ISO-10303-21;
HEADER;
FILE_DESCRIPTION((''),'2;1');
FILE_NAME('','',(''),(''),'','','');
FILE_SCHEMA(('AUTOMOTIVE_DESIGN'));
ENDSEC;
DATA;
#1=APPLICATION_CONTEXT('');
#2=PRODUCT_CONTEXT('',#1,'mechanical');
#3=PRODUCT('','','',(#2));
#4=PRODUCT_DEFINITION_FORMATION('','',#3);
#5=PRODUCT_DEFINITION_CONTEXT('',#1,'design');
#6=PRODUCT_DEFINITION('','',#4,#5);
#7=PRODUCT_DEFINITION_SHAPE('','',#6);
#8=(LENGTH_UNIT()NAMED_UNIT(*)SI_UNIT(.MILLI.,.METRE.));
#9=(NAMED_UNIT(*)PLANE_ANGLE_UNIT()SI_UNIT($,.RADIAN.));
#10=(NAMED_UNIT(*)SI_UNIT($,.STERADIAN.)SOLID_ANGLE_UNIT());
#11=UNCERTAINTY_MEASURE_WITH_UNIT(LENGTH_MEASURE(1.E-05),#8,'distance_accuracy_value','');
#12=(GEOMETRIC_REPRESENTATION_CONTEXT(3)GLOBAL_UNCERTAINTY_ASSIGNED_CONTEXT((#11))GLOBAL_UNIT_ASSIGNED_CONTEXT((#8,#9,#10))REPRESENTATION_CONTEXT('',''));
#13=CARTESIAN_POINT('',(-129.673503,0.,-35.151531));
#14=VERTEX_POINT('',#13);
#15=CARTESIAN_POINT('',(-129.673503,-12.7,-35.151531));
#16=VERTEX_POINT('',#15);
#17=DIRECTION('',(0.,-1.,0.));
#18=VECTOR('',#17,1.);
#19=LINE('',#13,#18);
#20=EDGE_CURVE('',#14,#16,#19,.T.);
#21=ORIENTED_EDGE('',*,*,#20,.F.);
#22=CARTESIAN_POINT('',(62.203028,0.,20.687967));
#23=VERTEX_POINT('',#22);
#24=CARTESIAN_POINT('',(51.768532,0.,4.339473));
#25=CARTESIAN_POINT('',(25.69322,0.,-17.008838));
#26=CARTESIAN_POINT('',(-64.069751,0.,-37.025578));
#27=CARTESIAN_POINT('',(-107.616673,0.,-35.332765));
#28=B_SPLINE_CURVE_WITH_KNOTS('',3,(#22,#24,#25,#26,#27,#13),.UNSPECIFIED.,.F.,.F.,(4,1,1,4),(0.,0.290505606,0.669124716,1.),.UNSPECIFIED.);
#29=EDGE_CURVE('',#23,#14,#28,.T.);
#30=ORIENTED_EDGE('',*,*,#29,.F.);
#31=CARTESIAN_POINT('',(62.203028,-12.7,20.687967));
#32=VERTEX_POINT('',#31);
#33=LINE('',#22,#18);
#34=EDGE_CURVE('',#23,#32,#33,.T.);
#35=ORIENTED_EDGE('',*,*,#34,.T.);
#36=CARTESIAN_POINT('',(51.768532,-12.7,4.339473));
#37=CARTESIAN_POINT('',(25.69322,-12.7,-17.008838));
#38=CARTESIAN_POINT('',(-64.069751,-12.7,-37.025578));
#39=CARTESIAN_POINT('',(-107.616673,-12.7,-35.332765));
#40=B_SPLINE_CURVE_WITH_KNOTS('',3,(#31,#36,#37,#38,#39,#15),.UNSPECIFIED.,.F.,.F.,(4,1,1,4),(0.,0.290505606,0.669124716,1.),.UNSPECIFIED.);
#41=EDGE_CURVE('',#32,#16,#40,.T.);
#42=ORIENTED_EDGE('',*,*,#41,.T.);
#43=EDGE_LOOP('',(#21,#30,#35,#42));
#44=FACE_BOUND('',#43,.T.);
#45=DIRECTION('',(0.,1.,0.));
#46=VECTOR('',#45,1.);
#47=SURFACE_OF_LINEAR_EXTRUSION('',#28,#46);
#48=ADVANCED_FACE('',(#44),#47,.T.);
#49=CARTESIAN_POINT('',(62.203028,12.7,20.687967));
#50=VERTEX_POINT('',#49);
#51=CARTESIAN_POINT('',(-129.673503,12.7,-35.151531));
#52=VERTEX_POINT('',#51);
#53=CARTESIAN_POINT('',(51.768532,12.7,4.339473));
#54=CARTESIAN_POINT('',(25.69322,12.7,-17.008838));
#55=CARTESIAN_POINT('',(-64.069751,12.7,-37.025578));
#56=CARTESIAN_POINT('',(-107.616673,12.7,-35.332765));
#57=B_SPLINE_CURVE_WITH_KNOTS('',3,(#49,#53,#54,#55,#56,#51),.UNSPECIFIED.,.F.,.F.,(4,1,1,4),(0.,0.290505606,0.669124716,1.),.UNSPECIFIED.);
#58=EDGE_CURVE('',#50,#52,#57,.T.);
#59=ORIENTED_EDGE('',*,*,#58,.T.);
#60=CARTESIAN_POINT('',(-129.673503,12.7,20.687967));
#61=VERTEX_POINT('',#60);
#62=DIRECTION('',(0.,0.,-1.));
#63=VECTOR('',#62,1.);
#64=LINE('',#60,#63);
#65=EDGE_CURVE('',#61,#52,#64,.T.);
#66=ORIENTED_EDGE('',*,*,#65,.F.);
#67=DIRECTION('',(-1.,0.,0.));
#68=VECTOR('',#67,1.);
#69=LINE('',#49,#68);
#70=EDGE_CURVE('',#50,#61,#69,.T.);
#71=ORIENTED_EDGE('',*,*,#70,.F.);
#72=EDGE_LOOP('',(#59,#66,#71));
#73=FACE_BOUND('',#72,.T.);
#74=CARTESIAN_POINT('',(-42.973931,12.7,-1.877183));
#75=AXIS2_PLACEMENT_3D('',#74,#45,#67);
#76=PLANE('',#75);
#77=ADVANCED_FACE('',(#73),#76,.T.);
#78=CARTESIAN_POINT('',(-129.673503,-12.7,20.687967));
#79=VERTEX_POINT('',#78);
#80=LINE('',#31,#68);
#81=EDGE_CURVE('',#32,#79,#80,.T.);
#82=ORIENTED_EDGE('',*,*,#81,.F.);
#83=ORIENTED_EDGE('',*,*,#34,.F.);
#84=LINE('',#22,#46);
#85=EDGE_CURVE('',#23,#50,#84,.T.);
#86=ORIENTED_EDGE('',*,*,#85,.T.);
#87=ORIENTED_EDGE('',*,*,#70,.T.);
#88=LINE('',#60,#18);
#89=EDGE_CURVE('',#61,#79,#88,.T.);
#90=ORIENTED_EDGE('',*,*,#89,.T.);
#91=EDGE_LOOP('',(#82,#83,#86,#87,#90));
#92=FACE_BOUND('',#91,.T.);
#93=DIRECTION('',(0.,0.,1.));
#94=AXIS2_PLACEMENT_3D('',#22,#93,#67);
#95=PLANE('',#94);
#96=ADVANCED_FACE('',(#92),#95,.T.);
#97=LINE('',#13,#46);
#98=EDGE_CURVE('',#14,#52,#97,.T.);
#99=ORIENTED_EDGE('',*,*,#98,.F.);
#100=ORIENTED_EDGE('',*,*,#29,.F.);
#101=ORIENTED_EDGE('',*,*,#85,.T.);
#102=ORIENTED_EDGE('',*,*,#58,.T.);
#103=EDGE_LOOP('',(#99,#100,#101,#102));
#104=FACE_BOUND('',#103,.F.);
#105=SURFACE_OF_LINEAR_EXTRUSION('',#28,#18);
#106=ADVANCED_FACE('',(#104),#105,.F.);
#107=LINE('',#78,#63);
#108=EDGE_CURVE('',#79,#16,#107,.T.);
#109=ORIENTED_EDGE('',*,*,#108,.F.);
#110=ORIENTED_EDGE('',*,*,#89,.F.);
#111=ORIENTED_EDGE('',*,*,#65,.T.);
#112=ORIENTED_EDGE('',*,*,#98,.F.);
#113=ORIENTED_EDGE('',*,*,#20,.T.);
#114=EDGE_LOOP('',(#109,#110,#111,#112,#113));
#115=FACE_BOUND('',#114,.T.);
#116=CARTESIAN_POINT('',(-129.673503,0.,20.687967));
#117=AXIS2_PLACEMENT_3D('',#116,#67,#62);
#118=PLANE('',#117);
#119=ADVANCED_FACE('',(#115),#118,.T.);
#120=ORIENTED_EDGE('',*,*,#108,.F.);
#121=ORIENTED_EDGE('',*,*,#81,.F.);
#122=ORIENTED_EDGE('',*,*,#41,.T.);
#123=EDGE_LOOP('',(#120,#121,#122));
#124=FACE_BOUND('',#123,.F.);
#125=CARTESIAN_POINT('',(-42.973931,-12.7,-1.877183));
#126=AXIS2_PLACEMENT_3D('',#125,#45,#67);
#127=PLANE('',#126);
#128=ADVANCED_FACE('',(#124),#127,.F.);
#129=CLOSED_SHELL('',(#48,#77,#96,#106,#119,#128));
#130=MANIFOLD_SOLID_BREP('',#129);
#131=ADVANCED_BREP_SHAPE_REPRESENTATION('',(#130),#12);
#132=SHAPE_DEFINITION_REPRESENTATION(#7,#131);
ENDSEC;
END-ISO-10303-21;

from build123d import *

# Parameters (mm, degrees)
F1_DEPTH = 12.7


with BuildPart() as f1:
    # F0 (on Front) → F1 (new body, symmetric)
    with BuildSketch(Plane.XZ):
        with BuildLine():
            add(Edge.make_bspline(
                [(62.2030279573, 20.687966623), (51.7685321444, 4.3394732491), (25.6932202686, -17.0088381617), (-64.0697510722, -37.025577769), (-107.6166732032, -35.3327654322), (-129.6735033393, -35.151531004)],
                knots=[0, 0, 0, 0, 0.2905056057, 0.6691247159, 1, 1, 1, 1], degree=3))
            Line((62.2030279573, 20.687966623), (-129.6735033393, 20.687966623))
            Line((-129.6735033393, 20.687966623), (-129.6735033393, -35.151531004))
        make_face()
    extrude(amount=F1_DEPTH, both=True)


solid = f1.part
